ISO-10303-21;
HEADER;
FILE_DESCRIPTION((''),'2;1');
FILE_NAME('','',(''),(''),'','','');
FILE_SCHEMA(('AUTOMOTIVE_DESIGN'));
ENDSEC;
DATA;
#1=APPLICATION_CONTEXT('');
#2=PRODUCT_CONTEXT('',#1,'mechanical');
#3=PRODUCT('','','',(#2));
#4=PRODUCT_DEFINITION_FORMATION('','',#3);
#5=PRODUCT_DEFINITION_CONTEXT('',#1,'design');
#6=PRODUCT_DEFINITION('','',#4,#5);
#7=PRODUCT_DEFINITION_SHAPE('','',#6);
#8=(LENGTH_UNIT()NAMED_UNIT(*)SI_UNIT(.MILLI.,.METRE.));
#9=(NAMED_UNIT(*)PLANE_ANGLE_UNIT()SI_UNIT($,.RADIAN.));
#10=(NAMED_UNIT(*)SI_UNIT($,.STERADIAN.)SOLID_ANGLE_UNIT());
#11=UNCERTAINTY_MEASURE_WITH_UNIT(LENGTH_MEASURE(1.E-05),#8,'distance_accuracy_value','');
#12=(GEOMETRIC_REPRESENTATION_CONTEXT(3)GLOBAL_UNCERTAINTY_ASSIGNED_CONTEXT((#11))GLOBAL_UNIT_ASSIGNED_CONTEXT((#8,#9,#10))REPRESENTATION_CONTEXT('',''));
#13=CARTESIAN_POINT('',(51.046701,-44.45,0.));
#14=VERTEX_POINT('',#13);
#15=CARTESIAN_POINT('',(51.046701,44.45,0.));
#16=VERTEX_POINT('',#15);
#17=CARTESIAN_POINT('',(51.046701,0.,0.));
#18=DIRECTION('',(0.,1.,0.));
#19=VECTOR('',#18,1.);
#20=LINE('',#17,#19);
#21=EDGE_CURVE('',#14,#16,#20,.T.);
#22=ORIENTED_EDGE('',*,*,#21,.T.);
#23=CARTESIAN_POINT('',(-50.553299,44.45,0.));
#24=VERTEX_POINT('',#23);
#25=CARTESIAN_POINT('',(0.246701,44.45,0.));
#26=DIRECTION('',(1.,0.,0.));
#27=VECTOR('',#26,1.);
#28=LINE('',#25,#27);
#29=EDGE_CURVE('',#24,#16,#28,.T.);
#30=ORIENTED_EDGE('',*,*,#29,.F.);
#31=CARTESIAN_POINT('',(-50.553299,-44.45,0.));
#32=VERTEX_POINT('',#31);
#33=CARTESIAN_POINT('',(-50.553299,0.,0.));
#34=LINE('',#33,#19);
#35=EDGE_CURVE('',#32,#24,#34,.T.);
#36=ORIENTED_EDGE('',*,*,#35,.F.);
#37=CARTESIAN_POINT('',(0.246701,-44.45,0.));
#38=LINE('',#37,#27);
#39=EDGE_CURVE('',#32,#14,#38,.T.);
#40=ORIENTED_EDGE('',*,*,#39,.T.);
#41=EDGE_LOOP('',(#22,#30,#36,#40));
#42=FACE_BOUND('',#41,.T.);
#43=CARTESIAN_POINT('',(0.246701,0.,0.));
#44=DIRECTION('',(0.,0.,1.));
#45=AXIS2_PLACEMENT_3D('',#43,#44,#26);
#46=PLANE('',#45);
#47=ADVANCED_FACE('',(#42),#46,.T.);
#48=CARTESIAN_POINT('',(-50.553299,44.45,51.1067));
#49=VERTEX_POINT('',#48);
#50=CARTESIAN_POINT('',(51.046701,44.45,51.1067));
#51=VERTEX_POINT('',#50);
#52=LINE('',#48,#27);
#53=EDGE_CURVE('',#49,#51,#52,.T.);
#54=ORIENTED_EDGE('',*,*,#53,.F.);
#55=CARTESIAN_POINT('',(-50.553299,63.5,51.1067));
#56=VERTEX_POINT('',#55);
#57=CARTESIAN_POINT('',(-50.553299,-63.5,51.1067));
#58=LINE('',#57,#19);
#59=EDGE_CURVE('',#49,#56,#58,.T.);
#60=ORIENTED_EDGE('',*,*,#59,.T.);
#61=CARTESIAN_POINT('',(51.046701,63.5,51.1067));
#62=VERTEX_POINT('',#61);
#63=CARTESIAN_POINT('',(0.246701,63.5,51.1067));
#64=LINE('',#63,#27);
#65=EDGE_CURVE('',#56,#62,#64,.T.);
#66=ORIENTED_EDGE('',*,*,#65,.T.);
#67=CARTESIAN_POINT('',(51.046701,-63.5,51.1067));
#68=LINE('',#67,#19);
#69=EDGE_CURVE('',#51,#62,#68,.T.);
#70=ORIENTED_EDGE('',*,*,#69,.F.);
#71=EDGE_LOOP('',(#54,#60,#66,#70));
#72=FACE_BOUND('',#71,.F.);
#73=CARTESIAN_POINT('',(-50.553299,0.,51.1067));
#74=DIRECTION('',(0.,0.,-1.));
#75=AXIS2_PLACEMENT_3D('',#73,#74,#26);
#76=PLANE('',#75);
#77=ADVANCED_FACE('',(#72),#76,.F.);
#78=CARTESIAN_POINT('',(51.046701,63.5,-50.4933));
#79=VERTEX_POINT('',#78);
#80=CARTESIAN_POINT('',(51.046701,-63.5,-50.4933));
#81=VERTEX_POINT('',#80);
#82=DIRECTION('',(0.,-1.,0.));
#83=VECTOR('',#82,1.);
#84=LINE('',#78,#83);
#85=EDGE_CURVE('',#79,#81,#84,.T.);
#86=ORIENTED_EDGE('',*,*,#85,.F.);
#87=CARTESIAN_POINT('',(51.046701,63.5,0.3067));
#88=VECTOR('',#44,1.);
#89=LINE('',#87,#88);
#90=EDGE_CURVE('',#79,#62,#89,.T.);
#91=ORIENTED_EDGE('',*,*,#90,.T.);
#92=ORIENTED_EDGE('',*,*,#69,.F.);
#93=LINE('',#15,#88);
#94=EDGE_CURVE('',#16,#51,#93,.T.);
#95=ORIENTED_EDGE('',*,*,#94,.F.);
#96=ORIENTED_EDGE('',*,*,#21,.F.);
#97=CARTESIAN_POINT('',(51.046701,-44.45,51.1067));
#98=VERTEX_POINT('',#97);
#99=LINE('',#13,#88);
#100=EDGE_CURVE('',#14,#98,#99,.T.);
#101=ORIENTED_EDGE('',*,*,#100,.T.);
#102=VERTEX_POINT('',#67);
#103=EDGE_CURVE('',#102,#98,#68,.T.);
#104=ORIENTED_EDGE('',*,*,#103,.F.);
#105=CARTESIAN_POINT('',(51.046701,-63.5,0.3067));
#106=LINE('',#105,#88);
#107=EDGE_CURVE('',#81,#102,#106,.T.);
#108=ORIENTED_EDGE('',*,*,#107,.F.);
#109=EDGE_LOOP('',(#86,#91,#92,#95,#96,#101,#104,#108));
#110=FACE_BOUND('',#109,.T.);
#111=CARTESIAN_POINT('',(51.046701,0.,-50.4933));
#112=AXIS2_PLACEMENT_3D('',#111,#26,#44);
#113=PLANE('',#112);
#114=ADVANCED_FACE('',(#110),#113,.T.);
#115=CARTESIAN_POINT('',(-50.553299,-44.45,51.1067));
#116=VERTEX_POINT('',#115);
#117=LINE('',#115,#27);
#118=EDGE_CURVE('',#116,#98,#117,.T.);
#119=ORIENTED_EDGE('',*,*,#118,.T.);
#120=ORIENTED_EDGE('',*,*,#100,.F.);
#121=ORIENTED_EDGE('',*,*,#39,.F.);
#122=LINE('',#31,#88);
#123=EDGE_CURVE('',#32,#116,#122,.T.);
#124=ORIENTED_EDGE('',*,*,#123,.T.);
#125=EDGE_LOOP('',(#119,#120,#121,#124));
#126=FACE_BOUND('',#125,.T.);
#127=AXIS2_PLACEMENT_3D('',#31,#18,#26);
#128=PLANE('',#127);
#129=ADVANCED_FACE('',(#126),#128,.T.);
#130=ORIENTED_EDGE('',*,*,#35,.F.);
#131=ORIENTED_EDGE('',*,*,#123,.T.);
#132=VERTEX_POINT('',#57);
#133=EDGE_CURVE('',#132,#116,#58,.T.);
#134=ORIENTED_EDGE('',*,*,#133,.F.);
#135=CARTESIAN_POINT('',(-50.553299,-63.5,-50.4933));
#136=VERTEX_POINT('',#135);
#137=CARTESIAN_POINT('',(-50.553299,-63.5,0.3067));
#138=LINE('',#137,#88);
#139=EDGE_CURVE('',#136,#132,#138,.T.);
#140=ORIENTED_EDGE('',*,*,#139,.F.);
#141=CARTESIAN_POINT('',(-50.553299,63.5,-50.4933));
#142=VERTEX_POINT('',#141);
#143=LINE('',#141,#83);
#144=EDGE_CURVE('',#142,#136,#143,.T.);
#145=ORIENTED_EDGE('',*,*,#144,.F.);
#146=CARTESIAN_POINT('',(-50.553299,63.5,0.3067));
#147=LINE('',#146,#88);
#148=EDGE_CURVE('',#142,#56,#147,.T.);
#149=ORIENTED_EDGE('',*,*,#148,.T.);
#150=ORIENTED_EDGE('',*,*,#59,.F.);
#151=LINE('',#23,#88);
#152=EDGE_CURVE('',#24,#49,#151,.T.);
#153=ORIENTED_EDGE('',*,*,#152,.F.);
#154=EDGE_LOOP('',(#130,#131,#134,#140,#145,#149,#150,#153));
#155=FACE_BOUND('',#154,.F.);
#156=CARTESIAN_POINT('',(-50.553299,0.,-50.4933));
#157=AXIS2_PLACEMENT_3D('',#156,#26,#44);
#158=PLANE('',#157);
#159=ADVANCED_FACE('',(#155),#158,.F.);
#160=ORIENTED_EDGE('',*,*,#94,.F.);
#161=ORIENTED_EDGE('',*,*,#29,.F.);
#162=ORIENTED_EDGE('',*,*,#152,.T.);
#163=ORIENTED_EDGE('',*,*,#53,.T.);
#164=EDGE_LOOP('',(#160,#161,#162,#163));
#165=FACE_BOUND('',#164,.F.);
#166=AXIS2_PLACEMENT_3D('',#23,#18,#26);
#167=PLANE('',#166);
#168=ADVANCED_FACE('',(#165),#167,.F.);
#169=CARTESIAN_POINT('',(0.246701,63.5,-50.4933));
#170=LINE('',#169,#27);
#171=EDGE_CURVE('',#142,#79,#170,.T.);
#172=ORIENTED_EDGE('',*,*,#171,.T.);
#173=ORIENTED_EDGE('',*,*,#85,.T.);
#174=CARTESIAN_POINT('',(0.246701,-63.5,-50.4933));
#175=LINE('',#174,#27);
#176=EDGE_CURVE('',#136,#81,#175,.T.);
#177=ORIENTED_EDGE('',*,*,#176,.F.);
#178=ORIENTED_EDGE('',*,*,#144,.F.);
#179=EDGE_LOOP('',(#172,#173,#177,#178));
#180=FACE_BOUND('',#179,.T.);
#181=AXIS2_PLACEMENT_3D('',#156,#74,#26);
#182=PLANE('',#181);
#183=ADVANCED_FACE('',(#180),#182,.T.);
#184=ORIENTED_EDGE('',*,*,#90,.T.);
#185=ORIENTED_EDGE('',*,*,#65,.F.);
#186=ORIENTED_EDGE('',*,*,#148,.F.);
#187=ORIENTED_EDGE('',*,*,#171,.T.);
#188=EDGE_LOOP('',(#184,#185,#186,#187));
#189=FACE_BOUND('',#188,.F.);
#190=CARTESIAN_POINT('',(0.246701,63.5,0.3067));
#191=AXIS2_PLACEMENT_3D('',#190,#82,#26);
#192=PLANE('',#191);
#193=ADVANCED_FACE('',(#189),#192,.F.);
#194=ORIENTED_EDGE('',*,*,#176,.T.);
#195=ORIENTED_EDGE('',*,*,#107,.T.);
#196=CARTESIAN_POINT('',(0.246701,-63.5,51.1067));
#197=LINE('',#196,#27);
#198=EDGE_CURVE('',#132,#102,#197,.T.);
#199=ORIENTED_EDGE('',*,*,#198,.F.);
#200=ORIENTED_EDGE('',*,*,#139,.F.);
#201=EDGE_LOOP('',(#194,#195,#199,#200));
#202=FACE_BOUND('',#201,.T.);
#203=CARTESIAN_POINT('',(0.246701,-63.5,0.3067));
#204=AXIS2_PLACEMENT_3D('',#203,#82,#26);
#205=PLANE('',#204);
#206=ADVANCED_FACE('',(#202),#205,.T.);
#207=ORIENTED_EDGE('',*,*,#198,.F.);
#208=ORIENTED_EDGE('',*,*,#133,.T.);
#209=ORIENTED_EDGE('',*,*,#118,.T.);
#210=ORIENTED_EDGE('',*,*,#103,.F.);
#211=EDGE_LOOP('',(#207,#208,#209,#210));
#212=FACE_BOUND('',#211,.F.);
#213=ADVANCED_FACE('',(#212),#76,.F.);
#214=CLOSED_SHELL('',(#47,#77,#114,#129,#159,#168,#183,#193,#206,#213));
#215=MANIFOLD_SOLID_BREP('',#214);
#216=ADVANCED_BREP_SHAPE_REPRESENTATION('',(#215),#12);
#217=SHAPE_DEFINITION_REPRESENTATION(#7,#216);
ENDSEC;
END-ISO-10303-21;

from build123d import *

# Parameters (mm, degrees)
F0_W          = 101.6
F0_H          = 101.6
F1_DEPTH      = 63.5
F1_DEPTH_BACK = 63.5
F2_W          = 101.6
F2_H          = 88.9
F3_DEPTH      = 81.22025


with BuildPart() as f1:
    # F0 (on Front) → F1 (new body, two sides)
    with BuildSketch(Plane.XZ) as f1_sk:
        with Locations((0.246701, 0.3067)):
            Rectangle(F0_W, F0_H)
    extrude(amount=F1_DEPTH)
    extrude(f1_sk.sketch, amount=-F1_DEPTH_BACK)

    # F2 (on Top) → F3 (cut)
    with BuildSketch(Plane.XY):
        with Locations((0.246701, 0)):
            Rectangle(F2_W, F2_H)
    extrude(amount=F3_DEPTH, mode=Mode.SUBTRACT)


solid = f1.part
